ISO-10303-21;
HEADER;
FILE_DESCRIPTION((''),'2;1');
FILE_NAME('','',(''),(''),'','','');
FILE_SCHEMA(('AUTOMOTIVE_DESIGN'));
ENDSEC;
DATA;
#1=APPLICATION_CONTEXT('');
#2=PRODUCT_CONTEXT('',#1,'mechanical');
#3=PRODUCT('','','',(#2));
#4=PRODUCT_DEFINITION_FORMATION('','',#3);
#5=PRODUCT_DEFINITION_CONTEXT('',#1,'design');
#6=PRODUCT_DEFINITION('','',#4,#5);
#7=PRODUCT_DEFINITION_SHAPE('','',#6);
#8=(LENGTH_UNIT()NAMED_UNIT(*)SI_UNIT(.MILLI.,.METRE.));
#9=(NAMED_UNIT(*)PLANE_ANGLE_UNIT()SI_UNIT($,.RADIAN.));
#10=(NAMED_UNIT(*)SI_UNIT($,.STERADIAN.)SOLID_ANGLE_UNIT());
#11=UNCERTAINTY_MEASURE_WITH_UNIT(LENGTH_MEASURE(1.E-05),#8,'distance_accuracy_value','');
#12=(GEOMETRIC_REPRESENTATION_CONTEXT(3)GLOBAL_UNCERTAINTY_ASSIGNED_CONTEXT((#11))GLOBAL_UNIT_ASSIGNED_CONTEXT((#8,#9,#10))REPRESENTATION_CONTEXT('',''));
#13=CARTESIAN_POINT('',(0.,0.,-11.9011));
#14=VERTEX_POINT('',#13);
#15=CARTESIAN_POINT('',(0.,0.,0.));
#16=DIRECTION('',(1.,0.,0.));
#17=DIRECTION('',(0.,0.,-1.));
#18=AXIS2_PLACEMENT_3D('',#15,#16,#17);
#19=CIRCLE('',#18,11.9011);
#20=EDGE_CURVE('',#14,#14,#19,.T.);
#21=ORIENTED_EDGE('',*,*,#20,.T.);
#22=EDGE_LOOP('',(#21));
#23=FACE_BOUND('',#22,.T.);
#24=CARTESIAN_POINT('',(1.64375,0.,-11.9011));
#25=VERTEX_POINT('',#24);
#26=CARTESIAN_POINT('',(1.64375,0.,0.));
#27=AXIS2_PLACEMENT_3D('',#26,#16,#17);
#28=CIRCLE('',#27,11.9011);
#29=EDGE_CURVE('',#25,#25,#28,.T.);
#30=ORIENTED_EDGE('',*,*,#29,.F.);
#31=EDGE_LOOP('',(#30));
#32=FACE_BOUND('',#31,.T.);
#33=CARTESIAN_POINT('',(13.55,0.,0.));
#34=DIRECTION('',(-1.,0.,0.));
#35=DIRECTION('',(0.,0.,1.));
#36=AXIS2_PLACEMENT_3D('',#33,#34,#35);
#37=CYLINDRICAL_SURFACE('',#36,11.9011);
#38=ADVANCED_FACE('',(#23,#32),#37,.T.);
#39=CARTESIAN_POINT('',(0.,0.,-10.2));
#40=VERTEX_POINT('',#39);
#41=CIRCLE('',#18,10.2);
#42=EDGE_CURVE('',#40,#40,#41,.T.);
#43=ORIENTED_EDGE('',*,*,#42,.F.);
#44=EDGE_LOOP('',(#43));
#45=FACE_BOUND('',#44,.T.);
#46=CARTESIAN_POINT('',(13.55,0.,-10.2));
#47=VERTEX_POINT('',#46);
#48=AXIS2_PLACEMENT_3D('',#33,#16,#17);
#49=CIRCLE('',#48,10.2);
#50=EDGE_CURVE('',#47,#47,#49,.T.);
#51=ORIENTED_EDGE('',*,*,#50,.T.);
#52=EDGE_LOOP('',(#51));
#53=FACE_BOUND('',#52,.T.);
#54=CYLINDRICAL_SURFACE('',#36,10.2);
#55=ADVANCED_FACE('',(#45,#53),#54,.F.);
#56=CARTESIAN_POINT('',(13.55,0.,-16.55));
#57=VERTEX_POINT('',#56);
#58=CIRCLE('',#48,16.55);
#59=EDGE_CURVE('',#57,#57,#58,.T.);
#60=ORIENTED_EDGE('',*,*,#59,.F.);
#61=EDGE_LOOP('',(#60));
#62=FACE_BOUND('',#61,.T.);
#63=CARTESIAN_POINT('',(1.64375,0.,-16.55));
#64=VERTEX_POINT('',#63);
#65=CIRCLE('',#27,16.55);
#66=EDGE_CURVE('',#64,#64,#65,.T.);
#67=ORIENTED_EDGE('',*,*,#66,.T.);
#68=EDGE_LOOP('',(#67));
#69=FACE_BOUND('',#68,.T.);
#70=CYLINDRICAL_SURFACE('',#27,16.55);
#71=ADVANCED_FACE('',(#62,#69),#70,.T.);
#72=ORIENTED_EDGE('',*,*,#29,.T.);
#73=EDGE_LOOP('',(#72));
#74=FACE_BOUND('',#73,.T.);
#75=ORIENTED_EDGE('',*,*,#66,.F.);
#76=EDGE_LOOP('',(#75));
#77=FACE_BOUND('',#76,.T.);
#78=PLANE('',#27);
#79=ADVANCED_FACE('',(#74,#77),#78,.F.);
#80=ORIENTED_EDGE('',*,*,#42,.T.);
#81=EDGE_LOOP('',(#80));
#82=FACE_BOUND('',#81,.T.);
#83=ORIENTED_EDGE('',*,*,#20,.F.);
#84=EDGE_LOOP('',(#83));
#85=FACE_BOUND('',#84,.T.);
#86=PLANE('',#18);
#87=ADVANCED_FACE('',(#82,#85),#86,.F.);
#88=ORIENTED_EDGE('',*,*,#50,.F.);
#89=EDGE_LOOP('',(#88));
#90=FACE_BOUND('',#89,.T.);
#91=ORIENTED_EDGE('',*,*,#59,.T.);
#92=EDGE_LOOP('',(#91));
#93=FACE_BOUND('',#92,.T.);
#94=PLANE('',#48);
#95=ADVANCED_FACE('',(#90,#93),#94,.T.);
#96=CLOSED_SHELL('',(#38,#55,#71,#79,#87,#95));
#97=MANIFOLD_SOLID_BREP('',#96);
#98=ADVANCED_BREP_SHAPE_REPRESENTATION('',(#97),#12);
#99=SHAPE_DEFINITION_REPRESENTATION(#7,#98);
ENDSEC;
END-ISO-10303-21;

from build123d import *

# Parameters (mm, degrees)
SKETCH1_R           = 11.901099896
SKETCH1_R_2         = 10.2
BOSS_EXTRUDE1_DEPTH = 13.550000078
SKETCH2_R           = 16.55
SKETCH2_R_2         = 10.2
BOSS_EXTRUDE2_DEPTH = 11.90625


with BuildPart() as part:
    # Sketch1 → Boss-Extrude1 (new body)
    with BuildSketch(Plane(origin=(0, 0, 0), x_dir=(0, 0, -1), z_dir=(1, 0, 0))):
        Circle(SKETCH1_R)
        Circle(SKETCH1_R_2, mode=Mode.SUBTRACT)
    extrude(amount=BOSS_EXTRUDE1_DEPTH)

    # Sketch2 → Boss-Extrude2 (add)
    with BuildSketch(Plane(origin=(13.550000078, 0, 0), x_dir=(0, 0, -1), z_dir=(1, 0, 0))):
        Circle(SKETCH2_R)
        Circle(SKETCH2_R_2, mode=Mode.SUBTRACT)
    extrude(amount=-BOSS_EXTRUDE2_DEPTH)


solid = part.part
